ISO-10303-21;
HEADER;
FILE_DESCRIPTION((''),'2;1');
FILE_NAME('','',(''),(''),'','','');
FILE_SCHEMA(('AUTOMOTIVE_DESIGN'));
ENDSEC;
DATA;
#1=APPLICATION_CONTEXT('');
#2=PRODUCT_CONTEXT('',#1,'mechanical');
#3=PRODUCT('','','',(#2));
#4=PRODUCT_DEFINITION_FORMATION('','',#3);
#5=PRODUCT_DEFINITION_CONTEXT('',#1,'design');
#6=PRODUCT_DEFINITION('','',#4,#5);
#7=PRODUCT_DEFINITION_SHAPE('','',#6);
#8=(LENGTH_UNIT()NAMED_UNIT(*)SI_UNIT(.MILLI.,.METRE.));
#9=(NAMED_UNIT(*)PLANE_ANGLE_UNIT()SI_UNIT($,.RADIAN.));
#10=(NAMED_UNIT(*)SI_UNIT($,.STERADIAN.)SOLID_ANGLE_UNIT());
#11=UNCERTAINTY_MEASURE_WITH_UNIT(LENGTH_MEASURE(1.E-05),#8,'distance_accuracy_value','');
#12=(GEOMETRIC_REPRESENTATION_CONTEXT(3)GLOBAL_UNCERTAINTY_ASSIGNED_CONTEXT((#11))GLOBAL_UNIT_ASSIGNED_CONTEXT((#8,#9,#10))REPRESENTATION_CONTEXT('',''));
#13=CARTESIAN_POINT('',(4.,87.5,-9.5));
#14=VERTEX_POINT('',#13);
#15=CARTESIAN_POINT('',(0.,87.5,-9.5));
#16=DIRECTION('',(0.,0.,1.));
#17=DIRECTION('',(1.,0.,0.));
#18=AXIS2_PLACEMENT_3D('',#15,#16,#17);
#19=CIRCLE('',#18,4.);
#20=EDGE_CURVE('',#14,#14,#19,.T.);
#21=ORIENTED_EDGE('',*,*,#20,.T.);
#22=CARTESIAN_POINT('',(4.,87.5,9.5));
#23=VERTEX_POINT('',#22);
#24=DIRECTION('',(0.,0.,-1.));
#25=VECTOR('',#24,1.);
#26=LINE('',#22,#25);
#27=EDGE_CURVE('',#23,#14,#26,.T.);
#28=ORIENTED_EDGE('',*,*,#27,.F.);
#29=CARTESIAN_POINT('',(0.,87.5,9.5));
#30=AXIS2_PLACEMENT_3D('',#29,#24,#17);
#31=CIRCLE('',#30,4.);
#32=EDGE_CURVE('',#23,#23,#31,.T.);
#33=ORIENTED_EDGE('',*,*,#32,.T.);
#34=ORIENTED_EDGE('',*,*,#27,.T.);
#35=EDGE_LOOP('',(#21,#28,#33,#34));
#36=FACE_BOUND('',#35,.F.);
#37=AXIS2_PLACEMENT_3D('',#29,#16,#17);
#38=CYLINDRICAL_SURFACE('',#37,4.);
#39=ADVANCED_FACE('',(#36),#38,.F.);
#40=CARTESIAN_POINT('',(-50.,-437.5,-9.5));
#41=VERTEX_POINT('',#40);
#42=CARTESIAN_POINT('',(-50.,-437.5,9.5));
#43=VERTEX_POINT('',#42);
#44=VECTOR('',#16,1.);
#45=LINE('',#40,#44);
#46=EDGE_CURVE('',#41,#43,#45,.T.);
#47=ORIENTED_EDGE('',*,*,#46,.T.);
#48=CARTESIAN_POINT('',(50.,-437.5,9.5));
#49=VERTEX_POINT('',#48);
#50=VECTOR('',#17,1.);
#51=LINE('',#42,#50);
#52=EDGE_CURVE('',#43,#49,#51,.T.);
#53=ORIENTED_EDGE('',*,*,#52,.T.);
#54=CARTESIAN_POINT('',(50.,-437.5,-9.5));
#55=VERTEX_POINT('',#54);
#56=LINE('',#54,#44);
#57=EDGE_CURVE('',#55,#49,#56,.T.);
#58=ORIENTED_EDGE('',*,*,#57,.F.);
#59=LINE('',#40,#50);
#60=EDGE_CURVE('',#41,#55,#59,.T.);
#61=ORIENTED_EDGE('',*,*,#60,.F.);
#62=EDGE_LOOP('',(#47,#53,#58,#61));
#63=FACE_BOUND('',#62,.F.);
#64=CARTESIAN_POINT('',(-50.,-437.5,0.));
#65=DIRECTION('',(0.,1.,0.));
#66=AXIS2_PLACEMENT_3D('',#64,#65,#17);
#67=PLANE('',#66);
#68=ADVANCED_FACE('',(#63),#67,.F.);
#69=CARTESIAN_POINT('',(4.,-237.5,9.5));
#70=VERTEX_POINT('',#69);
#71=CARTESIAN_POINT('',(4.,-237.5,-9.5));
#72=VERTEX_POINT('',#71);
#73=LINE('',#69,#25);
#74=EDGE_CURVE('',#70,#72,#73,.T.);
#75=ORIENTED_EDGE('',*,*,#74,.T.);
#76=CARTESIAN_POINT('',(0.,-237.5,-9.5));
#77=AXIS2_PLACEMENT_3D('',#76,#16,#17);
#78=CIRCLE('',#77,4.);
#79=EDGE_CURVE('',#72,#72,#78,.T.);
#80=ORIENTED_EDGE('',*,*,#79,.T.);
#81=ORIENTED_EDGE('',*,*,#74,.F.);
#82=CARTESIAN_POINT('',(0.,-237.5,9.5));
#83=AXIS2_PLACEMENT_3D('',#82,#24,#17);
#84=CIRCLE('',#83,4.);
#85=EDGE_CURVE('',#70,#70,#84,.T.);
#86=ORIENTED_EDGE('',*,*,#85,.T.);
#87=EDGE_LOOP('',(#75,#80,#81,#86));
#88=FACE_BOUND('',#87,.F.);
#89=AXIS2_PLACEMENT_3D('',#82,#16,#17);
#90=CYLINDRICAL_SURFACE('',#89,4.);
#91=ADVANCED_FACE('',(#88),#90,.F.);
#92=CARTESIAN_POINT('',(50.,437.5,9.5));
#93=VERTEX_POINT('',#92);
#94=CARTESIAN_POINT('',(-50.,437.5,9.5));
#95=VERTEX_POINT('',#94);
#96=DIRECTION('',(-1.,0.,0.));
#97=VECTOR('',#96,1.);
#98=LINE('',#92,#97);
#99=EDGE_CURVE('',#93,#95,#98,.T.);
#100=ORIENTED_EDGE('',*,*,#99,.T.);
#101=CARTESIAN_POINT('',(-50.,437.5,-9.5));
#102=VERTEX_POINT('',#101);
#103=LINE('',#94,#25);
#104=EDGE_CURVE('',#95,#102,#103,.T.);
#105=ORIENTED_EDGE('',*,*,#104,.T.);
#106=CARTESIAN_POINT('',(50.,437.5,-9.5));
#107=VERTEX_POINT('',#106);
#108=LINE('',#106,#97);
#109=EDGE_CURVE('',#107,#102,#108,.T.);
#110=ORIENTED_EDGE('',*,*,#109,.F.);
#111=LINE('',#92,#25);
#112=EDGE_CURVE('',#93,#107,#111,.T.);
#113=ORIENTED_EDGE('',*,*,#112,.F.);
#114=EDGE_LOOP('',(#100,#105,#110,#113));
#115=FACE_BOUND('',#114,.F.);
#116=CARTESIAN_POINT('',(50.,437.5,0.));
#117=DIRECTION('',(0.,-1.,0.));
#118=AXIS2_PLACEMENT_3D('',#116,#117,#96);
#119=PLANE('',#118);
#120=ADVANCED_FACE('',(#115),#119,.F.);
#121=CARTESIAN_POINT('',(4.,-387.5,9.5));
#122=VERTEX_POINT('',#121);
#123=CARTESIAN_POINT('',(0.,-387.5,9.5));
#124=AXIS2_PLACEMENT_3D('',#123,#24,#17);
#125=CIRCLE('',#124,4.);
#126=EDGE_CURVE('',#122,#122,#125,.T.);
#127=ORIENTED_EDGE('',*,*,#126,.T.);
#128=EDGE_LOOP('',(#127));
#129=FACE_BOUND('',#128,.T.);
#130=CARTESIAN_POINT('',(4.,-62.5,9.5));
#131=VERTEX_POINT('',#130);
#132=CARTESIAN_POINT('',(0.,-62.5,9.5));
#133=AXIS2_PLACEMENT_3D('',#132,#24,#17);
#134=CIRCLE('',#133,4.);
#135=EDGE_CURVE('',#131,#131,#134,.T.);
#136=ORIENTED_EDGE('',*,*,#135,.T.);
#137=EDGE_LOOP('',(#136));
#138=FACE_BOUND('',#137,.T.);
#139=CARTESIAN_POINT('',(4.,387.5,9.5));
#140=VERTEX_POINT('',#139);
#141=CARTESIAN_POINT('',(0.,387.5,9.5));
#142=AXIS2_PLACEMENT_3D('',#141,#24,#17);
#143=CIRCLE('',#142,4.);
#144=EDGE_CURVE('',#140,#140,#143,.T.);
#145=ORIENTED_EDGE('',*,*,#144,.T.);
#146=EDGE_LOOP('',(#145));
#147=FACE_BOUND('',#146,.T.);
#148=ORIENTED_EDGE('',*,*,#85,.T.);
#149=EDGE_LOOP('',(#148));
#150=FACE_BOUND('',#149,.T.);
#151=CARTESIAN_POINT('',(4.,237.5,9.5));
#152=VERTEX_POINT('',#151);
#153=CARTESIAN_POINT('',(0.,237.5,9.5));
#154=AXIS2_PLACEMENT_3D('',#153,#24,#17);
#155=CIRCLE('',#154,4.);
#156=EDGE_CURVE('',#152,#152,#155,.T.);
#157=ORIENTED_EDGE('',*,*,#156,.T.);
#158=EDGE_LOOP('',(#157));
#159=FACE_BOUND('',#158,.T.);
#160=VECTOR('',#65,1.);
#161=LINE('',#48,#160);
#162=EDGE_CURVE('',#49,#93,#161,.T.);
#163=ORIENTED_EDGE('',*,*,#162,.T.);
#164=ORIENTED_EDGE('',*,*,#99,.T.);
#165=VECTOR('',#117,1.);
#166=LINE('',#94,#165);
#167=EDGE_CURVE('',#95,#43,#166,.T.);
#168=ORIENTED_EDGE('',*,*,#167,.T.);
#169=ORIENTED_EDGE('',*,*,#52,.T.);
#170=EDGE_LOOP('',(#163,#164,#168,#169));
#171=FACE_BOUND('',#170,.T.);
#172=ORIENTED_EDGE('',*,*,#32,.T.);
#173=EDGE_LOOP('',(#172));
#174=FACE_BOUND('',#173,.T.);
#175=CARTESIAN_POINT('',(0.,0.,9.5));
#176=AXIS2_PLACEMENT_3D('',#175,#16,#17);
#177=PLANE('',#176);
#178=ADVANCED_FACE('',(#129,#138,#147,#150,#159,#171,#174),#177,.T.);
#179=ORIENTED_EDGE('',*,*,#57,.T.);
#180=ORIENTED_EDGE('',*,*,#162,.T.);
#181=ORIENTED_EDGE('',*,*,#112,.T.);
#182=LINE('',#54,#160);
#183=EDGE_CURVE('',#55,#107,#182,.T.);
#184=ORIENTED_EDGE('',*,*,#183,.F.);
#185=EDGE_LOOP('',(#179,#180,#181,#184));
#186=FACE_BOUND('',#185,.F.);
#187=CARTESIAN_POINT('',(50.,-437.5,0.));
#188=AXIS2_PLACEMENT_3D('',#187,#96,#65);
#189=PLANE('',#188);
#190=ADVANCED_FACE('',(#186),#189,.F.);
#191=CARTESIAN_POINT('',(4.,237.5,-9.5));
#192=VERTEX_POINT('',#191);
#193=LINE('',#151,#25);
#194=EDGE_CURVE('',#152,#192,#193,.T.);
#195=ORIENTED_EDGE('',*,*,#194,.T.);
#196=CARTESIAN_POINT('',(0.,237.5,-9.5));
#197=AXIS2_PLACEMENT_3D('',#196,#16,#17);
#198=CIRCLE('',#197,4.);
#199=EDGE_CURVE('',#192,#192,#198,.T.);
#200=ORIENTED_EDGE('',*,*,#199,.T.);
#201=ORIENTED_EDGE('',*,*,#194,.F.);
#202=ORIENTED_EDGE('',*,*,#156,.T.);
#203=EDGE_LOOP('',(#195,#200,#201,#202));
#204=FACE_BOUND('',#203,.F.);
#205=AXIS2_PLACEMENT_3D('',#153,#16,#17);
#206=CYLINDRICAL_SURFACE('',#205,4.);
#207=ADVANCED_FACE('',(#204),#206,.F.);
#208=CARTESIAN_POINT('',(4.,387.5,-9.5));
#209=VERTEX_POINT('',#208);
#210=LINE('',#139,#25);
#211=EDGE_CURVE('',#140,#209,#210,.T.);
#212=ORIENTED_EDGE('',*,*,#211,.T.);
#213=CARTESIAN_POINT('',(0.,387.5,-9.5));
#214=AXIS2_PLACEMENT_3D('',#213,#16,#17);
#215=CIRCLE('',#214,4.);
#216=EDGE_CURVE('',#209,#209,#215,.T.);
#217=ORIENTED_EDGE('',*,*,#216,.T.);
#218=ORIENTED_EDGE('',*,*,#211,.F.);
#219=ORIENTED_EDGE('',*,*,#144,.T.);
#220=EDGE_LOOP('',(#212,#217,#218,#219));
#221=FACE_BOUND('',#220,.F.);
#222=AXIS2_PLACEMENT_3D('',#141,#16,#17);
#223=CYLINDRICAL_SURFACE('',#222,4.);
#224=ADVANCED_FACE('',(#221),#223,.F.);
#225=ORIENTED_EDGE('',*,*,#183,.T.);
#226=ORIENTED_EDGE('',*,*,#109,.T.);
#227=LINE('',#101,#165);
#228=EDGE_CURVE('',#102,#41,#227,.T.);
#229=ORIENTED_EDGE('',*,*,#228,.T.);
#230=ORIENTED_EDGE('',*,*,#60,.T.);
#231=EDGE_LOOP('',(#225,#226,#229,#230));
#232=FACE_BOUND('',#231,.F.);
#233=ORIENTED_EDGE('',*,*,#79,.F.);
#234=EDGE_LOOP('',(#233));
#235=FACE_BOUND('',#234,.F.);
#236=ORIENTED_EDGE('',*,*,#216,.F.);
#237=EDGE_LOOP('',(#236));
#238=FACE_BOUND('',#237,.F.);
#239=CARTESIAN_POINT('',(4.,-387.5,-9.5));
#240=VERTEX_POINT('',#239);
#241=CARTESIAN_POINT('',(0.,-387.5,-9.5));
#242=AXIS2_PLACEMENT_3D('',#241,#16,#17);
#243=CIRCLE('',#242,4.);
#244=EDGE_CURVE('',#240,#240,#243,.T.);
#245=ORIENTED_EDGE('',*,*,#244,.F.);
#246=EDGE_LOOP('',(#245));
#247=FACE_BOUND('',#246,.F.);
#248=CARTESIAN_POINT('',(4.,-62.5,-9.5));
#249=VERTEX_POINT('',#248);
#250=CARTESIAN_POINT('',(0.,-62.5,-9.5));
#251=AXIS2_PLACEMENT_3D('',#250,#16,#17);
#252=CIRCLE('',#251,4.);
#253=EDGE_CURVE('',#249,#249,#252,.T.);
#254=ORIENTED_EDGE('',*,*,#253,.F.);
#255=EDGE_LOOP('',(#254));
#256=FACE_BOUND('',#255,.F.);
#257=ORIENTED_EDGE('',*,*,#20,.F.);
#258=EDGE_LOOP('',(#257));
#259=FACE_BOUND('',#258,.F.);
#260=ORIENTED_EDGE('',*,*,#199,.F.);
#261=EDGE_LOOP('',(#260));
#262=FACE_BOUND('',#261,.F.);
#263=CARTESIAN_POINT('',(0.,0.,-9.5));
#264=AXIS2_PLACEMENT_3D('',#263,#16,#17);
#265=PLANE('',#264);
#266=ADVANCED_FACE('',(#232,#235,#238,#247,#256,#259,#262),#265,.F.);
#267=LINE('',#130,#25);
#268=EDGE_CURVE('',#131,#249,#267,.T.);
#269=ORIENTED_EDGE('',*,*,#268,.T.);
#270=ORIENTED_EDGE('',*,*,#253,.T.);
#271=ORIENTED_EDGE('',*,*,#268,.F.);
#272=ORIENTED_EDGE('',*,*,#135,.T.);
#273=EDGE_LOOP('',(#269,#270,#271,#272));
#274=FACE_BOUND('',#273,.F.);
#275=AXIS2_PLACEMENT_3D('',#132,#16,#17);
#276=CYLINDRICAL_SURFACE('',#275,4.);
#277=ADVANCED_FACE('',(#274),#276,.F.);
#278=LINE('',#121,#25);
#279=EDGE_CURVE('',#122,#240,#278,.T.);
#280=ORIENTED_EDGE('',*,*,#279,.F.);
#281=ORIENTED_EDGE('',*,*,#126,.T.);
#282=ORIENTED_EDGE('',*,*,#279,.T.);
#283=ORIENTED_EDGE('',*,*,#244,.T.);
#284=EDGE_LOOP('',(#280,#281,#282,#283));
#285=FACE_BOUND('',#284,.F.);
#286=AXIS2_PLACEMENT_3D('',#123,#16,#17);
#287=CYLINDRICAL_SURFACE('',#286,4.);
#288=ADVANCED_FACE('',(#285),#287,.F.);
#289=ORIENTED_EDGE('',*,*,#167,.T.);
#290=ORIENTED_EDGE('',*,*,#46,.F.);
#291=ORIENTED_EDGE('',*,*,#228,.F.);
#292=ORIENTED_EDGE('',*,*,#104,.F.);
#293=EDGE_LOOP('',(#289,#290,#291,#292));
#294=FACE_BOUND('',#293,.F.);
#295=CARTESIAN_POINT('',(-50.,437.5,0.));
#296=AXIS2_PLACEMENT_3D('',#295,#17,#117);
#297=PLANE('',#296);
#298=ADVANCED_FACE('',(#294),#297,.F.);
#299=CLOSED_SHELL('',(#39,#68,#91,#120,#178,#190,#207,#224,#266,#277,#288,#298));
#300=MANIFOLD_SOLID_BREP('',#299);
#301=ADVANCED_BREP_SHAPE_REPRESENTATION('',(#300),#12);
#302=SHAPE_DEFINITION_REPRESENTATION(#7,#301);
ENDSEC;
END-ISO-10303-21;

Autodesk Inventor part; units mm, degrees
ref_plane "YZ Plane" through (0, 0, 0) normal (1, 0, 0) x (0, 1, 0)
ref_plane "XZ Plane" through (0, 0, 0) normal (0, 1, 0) x (-1, 0, 0)
ref_plane "XY Plane" through (0, 0, 0) normal (0, 0, 1) x (1, 0, 0)
sketch "Sketch1" plane through (0, 0, 0) normal (0, 0, 1) x (1, 0, 0)
  line L0 (-50, -437.5) -> (50, -437.5)
  line L1 (50, -437.5) -> (50, 437.5)
  line L2 (50, 437.5) -> (-50, 437.5)
  line L3 (-50, 437.5) -> (-50, -437.5)
  line L4 (-50, -437.5) -> (50, 437.5) construction
  line L5 (50, -437.5) -> (-50, 437.5) construction
  point P0 (0, 0)
  dimension "d0" = 100
  dimension "d1" = 875
extrude "Extrusion1" add sketch "Sketch1" along normal mid plane 19
sketch "Sketch2" plane through (0, 0, 9.5) normal (0, 0, 1) x (1, 0, 0)
  line L0 (50, 437.5) -> (-50, 437.5) projected
  line L1 (0, 437.5) -> (0, 387.5)
  line L2 (0, 387.5) -> (0, 237.5)
  line L3 (0, 237.5) -> (0, 87.5)
  line L4 (0, 87.5) -> (0, -62.5)
  line L5 (0, -62.5) -> (0, -237.5)
  line L6 (0, -237.5) -> (0, -387.5)
  line L7 (0, -387.5) -> (0, -437.5)
  circle A0 centre (0, 387.5) radius 4
  circle A1 centre (0, 237.5) radius 4
  circle A2 centre (0, 87.5) radius 4
  circle A3 centre (0, -62.5) radius 4
  circle A4 centre (0, -237.5) radius 4
  circle A5 centre (0, -387.5) radius 4
  point P0 (0, 0)
  dimension "d4" = 50
  dimension "d5" = 150
  dimension "d6" = 150
  dimension "d7" = 150
  dimension "d8" = 175
  dimension "d9" = 150
  dimension "d10" = 50
  dimension "d11" = 8
  dimension "d12" = 8
  dimension "d13" = 8
  dimension "d14" = 8
  dimension "d15" = 8
  dimension "d16" = 8
extrude "Extrusion2" cut sketch "Sketch2" against normal through all
properties part number "E"
